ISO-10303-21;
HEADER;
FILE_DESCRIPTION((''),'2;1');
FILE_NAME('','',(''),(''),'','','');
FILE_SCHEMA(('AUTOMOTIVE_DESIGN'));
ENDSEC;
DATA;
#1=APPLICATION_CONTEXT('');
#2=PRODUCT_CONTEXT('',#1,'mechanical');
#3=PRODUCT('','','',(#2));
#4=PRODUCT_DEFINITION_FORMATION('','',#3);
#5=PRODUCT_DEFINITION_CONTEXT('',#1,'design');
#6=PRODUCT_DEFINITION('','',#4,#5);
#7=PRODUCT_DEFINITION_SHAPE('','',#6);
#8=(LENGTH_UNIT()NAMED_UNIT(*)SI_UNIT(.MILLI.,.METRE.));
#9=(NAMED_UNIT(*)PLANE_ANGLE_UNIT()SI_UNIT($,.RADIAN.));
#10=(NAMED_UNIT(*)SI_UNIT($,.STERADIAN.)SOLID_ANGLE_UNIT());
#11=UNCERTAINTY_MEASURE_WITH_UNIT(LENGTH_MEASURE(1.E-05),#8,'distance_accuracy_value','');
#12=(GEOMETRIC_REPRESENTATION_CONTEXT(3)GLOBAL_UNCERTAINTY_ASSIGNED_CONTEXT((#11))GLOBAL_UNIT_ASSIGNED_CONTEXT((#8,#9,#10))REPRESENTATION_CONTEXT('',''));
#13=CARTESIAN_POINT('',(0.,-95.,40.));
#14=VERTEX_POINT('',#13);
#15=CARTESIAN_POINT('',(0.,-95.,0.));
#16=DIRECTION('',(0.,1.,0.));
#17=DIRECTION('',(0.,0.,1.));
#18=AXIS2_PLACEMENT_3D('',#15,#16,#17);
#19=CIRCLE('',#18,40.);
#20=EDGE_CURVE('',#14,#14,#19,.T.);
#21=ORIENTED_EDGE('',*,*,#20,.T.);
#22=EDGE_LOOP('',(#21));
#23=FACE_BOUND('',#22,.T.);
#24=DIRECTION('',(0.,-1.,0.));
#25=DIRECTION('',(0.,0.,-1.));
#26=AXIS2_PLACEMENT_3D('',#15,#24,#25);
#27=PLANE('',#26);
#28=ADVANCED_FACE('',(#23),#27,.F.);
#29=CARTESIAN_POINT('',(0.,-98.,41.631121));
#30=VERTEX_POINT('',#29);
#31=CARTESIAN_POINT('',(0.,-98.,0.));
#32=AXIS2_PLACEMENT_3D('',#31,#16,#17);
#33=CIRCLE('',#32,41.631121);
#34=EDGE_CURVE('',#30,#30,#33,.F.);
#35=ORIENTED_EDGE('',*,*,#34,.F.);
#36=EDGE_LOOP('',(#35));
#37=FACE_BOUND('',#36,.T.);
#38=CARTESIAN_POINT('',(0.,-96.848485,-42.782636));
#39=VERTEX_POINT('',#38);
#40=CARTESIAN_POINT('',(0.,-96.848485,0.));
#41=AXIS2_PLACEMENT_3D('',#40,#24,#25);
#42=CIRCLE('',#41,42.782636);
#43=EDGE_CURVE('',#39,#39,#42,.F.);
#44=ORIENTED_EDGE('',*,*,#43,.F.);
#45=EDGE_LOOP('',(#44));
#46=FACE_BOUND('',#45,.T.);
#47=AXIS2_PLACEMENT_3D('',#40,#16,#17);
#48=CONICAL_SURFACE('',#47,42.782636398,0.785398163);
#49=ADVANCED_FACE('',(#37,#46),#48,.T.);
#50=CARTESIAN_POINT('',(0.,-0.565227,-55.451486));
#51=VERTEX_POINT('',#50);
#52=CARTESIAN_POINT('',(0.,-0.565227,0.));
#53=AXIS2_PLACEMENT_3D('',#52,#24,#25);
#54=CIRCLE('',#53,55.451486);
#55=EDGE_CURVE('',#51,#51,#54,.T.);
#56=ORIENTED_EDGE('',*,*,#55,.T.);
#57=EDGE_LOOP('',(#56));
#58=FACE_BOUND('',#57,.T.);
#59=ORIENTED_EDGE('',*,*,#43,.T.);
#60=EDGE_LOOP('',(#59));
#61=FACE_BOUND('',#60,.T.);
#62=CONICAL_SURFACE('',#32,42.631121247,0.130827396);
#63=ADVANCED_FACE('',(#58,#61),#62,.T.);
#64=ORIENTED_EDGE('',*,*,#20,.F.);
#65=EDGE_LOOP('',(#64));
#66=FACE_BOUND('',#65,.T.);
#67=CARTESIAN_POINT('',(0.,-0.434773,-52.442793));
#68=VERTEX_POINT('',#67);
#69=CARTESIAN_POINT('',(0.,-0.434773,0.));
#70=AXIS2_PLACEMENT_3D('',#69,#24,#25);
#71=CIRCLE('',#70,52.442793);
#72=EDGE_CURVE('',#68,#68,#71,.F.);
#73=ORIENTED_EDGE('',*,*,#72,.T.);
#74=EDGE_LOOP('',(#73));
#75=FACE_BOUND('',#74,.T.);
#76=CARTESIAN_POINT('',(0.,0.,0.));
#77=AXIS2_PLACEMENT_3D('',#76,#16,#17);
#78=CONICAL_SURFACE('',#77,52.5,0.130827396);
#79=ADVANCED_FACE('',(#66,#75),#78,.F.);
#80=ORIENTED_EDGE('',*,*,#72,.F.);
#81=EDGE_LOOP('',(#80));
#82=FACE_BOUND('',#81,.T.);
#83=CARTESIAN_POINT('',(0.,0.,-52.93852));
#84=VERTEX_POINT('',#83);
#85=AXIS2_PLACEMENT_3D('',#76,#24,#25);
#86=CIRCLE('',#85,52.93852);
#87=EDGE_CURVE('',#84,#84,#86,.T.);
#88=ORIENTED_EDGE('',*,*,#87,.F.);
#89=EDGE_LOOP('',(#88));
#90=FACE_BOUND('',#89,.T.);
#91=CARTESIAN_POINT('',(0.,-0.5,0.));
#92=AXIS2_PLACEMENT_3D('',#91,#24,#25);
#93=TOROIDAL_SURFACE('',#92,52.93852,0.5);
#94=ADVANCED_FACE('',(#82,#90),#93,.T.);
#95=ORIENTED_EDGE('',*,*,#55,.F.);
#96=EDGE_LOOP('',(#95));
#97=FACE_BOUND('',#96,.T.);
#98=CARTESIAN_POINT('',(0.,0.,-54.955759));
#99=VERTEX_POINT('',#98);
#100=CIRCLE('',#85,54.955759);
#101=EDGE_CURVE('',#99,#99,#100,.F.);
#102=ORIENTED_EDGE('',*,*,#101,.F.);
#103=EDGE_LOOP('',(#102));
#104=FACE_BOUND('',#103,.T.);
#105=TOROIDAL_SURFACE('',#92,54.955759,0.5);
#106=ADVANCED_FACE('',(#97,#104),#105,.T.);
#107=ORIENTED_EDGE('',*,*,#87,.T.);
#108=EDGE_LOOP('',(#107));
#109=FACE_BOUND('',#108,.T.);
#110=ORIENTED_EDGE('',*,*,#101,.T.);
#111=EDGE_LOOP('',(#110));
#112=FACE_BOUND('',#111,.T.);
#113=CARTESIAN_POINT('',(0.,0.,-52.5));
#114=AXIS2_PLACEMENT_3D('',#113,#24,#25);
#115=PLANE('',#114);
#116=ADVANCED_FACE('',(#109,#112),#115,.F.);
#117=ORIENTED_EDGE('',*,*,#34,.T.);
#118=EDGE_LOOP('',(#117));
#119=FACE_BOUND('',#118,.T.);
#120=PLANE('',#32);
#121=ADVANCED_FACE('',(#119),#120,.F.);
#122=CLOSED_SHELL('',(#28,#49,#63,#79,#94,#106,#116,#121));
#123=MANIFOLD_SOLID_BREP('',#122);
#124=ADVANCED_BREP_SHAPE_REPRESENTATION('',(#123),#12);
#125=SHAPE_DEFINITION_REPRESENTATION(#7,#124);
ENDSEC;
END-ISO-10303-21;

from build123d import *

# Parameters (mm, degrees)
CHAMFER1_SIZE  = 1
CHAMFER1_SIZE2 = 1.161440479
FILLET1_R      = 0.5


with BuildPart() as part:
    # Sketch1 → Revolve1 (revolve)
    with BuildSketch(Plane(origin=(0, 0, 0), x_dir=(0, 0, -1), z_dir=(1, 0, 0)), mode=Mode.PRIVATE) as revolve1_sk:
        Polygon((0, -95), (40, -95), (52.5, 0), (55.525858089, 0), (42.631121247, -98), (0, -98), align=None)
    revolve(revolve1_sk.sketch.rotate(Axis((0, 0, 0), (0, -1, 0)), 180), axis=Axis((0, 0, 0), (0, -1, 0)))

    # Chamfer1
    chamfer1_edges = [part.edges().sort_by_distance(p)[0] for p in [
        (0, -98, -42.631121247),
    ]]
    chamfer1_side = [part.faces().sort_by_distance(p)[0] for p in [
        (0, -98, 0),
    ]]
    chamfer(chamfer1_edges, length=CHAMFER1_SIZE, length2=CHAMFER1_SIZE2, reference=chamfer1_side[0])

    # Fillet1
    fillet1_edges = [part.edges().sort_by_distance(p)[0] for p in [
        (0, 0, -52.5),
        (0, 0, -55.525858089),
    ]]
    fillet(fillet1_edges, radius=FILLET1_R)


solid = part.part
